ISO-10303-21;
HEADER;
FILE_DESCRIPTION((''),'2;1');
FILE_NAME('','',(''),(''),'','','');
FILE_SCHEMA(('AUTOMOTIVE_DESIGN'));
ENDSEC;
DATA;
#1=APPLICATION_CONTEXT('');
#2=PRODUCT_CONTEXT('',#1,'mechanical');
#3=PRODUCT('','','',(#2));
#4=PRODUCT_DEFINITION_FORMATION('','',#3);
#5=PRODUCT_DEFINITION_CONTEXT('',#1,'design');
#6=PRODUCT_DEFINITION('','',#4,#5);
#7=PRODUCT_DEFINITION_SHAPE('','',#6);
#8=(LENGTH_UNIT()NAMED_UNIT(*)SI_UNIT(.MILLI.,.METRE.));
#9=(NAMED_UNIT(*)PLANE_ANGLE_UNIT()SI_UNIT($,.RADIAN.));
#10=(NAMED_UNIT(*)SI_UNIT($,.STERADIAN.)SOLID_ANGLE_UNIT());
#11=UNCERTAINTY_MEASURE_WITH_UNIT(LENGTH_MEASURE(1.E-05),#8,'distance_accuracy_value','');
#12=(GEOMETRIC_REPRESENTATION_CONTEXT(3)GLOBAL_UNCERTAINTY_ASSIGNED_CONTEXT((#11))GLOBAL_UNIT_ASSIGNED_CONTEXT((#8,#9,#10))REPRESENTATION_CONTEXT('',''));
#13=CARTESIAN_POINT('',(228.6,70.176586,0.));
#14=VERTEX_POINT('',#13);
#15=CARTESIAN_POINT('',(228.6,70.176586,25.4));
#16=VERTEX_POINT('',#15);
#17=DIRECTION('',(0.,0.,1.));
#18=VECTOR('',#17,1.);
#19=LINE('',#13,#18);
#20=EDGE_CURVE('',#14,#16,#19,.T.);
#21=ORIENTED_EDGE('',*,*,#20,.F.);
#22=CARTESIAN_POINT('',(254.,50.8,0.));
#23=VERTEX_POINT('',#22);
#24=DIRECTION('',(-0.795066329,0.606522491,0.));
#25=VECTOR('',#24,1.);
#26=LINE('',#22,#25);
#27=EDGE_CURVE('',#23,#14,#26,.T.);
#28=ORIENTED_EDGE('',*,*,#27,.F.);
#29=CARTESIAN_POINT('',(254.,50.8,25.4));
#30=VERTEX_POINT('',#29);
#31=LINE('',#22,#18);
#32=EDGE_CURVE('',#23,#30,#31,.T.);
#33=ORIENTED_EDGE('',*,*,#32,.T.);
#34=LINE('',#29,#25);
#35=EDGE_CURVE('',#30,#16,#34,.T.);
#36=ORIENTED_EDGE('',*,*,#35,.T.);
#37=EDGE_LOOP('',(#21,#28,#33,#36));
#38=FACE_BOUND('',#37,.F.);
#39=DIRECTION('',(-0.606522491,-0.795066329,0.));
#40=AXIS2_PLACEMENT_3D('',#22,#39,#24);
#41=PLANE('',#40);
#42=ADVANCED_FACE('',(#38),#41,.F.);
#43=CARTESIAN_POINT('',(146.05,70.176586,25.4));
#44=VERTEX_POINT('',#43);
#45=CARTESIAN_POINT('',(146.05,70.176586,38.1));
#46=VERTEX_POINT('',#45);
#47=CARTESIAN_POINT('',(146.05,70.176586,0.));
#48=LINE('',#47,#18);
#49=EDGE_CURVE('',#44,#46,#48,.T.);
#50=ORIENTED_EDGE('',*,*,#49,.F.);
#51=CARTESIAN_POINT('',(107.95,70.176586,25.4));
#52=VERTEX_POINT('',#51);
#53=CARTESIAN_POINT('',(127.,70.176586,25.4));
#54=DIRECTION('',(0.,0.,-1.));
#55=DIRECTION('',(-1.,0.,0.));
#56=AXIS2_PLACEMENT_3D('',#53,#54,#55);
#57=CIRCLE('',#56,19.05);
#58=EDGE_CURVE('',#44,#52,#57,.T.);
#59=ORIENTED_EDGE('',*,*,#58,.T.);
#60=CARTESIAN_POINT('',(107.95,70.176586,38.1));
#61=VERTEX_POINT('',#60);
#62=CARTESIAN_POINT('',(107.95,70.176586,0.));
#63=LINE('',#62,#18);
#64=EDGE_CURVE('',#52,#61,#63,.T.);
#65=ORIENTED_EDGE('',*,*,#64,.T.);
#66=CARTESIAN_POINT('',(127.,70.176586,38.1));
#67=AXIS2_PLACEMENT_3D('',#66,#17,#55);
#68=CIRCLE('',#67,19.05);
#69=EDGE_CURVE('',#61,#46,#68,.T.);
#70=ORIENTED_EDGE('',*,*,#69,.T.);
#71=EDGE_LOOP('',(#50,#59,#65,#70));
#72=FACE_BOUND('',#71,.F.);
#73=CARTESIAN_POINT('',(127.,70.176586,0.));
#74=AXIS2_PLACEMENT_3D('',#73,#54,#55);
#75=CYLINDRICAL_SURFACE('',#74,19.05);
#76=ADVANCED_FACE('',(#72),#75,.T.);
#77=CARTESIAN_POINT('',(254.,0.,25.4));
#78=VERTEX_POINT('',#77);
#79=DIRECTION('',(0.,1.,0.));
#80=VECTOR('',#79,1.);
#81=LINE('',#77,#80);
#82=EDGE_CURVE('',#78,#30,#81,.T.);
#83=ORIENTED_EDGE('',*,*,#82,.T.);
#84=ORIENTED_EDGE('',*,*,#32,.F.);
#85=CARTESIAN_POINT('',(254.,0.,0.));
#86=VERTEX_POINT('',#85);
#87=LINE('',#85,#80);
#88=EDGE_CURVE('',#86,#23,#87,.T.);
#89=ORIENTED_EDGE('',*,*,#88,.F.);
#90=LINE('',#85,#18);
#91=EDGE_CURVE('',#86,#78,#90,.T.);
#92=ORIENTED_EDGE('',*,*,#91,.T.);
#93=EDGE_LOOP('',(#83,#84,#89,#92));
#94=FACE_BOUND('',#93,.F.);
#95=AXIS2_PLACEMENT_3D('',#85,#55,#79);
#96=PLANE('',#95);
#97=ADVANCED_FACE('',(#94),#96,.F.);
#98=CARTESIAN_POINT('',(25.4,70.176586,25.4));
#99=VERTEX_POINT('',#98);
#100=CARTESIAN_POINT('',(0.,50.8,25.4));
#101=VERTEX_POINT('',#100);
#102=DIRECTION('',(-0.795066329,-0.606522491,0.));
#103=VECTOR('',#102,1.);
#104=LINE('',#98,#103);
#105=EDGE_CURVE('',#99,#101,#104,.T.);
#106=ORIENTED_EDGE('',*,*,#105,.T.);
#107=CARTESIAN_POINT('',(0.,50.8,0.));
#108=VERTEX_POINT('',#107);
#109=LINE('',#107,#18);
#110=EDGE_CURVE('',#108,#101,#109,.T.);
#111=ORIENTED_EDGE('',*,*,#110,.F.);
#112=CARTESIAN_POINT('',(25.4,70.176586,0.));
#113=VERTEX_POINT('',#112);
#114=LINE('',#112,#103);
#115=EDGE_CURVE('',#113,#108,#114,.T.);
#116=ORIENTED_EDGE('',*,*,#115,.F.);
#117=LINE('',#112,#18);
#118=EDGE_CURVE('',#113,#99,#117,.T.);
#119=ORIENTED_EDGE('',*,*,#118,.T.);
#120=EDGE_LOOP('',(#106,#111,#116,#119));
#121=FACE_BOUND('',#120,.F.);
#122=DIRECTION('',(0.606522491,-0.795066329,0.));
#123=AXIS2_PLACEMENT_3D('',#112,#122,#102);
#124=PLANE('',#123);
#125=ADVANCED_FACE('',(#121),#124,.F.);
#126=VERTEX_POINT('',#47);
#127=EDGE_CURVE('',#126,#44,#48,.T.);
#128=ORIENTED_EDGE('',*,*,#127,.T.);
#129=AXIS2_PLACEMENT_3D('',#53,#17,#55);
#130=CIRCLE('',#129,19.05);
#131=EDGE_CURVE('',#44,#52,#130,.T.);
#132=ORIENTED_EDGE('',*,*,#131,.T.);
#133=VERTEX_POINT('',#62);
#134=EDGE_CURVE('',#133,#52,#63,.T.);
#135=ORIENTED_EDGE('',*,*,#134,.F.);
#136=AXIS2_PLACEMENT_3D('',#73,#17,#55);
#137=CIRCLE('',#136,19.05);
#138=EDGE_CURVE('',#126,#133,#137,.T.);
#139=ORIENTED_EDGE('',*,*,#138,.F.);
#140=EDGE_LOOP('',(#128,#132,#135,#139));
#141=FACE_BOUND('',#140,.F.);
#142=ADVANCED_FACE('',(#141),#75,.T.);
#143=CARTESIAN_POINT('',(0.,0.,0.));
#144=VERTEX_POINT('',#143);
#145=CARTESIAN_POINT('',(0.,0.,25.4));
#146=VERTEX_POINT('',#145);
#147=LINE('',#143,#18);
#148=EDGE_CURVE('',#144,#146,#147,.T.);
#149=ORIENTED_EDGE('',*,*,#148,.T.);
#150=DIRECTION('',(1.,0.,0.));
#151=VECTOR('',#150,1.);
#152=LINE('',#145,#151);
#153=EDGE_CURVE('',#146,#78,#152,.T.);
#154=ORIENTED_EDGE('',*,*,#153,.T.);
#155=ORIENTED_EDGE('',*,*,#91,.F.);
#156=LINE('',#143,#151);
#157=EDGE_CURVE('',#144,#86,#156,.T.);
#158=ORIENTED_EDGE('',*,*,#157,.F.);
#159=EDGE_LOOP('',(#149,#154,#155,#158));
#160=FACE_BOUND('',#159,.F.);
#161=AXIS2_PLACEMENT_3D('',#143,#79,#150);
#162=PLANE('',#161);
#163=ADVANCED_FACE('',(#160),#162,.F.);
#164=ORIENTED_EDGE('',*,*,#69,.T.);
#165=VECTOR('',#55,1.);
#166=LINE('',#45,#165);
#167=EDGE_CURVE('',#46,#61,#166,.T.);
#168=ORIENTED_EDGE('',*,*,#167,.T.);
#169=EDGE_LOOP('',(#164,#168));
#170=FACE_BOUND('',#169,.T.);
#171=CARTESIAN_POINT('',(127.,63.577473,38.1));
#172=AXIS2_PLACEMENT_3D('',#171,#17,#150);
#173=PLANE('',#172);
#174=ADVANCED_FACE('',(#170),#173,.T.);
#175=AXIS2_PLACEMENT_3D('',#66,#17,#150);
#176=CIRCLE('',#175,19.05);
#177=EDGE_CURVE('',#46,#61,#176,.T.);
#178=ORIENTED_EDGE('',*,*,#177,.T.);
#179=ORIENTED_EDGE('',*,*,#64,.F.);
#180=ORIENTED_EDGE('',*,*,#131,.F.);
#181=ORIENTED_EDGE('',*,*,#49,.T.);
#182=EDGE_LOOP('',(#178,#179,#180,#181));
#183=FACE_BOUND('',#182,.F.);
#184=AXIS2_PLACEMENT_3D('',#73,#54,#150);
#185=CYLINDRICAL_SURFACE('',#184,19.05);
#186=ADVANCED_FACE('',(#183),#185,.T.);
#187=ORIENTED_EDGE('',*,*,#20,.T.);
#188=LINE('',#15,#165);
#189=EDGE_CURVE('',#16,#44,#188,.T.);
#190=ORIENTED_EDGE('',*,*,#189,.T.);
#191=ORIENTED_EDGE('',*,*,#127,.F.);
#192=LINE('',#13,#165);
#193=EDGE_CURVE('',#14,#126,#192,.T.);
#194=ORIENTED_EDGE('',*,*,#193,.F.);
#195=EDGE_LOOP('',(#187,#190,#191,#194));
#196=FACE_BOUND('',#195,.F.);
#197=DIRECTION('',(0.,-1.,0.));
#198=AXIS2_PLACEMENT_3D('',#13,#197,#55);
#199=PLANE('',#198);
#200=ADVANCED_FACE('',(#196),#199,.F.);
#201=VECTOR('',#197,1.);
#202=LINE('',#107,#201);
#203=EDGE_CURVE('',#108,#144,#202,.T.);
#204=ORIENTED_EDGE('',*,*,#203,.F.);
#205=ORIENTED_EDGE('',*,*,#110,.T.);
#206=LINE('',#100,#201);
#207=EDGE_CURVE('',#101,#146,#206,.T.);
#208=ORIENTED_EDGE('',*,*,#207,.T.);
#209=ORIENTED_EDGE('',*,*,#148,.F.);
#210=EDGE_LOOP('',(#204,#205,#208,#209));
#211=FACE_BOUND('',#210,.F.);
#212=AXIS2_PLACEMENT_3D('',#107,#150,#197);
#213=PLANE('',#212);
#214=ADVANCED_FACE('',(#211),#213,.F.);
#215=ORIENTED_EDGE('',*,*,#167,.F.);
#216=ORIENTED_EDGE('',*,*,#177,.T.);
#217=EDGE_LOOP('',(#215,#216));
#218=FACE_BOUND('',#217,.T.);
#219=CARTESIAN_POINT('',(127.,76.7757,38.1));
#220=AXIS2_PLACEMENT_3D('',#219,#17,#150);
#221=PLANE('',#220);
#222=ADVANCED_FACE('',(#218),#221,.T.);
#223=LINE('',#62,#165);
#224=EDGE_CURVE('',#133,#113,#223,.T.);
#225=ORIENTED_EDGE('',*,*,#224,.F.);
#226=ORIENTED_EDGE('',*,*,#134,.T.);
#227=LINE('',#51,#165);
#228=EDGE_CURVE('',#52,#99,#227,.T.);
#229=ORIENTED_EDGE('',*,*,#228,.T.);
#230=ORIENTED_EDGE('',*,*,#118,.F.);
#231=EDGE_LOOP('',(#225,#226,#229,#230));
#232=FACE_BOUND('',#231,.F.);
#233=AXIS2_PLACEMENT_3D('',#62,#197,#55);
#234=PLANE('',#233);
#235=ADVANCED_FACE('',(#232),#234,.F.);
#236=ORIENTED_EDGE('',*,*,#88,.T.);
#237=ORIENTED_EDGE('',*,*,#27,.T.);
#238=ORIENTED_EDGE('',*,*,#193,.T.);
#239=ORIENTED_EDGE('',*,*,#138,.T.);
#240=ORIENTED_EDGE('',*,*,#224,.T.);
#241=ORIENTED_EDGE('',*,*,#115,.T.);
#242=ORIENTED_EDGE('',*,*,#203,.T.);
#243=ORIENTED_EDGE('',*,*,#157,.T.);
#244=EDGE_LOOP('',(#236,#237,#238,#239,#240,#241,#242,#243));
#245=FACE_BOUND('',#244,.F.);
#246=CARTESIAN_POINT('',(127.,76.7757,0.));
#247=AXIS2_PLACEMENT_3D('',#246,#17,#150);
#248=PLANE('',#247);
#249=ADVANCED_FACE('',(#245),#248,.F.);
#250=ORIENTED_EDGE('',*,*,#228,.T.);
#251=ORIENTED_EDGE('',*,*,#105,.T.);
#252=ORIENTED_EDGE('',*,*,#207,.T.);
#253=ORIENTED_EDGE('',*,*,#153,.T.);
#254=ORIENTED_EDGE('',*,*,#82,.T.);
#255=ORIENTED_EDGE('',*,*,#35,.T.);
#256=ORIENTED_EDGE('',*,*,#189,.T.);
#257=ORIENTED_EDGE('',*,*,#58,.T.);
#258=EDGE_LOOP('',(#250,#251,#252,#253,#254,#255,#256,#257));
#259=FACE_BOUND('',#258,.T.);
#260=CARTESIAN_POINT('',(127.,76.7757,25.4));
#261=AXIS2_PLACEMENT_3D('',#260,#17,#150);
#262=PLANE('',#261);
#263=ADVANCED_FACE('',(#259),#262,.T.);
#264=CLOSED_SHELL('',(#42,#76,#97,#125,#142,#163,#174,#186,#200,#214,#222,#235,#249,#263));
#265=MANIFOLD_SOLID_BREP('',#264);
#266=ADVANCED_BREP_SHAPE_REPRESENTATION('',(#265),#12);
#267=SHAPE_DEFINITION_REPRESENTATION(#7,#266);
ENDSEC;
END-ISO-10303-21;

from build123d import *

# Parameters (mm, degrees)
F1_DEPTH = 25.4
F3_DEPTH = 38.1


with BuildPart() as f1:
    # F0 (on Top) → F1 (new body)
    with BuildSketch(Plane.XY):
        with BuildLine():
            ThreePointArc((146.05, 70.1765862209), (127, 89.2265862209), (107.95, 70.1765862209))
            Line((107.95, 70.1765862209), (146.05, 70.1765862209))
        make_face()
        with BuildLine():
            Line((146.05, 70.1765862209), (107.95, 70.1765862209))
            ThreePointArc((107.95, 70.1765862209), (127, 51.1265862209), (146.05, 70.1765862209))
        make_face()
        with BuildLine():
            Line((25.4, 70.1765862209), (0, 50.8))
            Line((0, 50.8), (0, 0))
            Line((0, 0), (254, 0))
            Line((254, 0), (254, 50.8))
            Line((254, 50.8), (228.6, 70.1765862209))
            Line((228.6, 70.1765862209), (146.05, 70.1765862209))
            ThreePointArc((146.05, 70.1765862209), (127, 51.1265862209), (107.95, 70.1765862209))
            Line((107.95, 70.1765862209), (25.4, 70.1765862209))
        make_face()
    extrude(amount=F1_DEPTH)

    # F2 (on face) + F0 (on Top) → F3 (join)
    with BuildSketch(Plane.XY):
        with BuildLine():
            ThreePointArc((107.95, 70.1765862209), (127, 51.1265862209), (146.05, 70.1765862209))
            Line((146.05, 70.1765862209), (107.95, 70.1765862209))
        make_face()
    with BuildSketch(Plane.XY):
        with BuildLine():
            ThreePointArc((146.05, 70.1765862209), (127, 89.2265862209), (107.95, 70.1765862209))
            Line((107.95, 70.1765862209), (146.05, 70.1765862209))
        make_face()
    extrude(amount=F3_DEPTH)


solid = f1.part
